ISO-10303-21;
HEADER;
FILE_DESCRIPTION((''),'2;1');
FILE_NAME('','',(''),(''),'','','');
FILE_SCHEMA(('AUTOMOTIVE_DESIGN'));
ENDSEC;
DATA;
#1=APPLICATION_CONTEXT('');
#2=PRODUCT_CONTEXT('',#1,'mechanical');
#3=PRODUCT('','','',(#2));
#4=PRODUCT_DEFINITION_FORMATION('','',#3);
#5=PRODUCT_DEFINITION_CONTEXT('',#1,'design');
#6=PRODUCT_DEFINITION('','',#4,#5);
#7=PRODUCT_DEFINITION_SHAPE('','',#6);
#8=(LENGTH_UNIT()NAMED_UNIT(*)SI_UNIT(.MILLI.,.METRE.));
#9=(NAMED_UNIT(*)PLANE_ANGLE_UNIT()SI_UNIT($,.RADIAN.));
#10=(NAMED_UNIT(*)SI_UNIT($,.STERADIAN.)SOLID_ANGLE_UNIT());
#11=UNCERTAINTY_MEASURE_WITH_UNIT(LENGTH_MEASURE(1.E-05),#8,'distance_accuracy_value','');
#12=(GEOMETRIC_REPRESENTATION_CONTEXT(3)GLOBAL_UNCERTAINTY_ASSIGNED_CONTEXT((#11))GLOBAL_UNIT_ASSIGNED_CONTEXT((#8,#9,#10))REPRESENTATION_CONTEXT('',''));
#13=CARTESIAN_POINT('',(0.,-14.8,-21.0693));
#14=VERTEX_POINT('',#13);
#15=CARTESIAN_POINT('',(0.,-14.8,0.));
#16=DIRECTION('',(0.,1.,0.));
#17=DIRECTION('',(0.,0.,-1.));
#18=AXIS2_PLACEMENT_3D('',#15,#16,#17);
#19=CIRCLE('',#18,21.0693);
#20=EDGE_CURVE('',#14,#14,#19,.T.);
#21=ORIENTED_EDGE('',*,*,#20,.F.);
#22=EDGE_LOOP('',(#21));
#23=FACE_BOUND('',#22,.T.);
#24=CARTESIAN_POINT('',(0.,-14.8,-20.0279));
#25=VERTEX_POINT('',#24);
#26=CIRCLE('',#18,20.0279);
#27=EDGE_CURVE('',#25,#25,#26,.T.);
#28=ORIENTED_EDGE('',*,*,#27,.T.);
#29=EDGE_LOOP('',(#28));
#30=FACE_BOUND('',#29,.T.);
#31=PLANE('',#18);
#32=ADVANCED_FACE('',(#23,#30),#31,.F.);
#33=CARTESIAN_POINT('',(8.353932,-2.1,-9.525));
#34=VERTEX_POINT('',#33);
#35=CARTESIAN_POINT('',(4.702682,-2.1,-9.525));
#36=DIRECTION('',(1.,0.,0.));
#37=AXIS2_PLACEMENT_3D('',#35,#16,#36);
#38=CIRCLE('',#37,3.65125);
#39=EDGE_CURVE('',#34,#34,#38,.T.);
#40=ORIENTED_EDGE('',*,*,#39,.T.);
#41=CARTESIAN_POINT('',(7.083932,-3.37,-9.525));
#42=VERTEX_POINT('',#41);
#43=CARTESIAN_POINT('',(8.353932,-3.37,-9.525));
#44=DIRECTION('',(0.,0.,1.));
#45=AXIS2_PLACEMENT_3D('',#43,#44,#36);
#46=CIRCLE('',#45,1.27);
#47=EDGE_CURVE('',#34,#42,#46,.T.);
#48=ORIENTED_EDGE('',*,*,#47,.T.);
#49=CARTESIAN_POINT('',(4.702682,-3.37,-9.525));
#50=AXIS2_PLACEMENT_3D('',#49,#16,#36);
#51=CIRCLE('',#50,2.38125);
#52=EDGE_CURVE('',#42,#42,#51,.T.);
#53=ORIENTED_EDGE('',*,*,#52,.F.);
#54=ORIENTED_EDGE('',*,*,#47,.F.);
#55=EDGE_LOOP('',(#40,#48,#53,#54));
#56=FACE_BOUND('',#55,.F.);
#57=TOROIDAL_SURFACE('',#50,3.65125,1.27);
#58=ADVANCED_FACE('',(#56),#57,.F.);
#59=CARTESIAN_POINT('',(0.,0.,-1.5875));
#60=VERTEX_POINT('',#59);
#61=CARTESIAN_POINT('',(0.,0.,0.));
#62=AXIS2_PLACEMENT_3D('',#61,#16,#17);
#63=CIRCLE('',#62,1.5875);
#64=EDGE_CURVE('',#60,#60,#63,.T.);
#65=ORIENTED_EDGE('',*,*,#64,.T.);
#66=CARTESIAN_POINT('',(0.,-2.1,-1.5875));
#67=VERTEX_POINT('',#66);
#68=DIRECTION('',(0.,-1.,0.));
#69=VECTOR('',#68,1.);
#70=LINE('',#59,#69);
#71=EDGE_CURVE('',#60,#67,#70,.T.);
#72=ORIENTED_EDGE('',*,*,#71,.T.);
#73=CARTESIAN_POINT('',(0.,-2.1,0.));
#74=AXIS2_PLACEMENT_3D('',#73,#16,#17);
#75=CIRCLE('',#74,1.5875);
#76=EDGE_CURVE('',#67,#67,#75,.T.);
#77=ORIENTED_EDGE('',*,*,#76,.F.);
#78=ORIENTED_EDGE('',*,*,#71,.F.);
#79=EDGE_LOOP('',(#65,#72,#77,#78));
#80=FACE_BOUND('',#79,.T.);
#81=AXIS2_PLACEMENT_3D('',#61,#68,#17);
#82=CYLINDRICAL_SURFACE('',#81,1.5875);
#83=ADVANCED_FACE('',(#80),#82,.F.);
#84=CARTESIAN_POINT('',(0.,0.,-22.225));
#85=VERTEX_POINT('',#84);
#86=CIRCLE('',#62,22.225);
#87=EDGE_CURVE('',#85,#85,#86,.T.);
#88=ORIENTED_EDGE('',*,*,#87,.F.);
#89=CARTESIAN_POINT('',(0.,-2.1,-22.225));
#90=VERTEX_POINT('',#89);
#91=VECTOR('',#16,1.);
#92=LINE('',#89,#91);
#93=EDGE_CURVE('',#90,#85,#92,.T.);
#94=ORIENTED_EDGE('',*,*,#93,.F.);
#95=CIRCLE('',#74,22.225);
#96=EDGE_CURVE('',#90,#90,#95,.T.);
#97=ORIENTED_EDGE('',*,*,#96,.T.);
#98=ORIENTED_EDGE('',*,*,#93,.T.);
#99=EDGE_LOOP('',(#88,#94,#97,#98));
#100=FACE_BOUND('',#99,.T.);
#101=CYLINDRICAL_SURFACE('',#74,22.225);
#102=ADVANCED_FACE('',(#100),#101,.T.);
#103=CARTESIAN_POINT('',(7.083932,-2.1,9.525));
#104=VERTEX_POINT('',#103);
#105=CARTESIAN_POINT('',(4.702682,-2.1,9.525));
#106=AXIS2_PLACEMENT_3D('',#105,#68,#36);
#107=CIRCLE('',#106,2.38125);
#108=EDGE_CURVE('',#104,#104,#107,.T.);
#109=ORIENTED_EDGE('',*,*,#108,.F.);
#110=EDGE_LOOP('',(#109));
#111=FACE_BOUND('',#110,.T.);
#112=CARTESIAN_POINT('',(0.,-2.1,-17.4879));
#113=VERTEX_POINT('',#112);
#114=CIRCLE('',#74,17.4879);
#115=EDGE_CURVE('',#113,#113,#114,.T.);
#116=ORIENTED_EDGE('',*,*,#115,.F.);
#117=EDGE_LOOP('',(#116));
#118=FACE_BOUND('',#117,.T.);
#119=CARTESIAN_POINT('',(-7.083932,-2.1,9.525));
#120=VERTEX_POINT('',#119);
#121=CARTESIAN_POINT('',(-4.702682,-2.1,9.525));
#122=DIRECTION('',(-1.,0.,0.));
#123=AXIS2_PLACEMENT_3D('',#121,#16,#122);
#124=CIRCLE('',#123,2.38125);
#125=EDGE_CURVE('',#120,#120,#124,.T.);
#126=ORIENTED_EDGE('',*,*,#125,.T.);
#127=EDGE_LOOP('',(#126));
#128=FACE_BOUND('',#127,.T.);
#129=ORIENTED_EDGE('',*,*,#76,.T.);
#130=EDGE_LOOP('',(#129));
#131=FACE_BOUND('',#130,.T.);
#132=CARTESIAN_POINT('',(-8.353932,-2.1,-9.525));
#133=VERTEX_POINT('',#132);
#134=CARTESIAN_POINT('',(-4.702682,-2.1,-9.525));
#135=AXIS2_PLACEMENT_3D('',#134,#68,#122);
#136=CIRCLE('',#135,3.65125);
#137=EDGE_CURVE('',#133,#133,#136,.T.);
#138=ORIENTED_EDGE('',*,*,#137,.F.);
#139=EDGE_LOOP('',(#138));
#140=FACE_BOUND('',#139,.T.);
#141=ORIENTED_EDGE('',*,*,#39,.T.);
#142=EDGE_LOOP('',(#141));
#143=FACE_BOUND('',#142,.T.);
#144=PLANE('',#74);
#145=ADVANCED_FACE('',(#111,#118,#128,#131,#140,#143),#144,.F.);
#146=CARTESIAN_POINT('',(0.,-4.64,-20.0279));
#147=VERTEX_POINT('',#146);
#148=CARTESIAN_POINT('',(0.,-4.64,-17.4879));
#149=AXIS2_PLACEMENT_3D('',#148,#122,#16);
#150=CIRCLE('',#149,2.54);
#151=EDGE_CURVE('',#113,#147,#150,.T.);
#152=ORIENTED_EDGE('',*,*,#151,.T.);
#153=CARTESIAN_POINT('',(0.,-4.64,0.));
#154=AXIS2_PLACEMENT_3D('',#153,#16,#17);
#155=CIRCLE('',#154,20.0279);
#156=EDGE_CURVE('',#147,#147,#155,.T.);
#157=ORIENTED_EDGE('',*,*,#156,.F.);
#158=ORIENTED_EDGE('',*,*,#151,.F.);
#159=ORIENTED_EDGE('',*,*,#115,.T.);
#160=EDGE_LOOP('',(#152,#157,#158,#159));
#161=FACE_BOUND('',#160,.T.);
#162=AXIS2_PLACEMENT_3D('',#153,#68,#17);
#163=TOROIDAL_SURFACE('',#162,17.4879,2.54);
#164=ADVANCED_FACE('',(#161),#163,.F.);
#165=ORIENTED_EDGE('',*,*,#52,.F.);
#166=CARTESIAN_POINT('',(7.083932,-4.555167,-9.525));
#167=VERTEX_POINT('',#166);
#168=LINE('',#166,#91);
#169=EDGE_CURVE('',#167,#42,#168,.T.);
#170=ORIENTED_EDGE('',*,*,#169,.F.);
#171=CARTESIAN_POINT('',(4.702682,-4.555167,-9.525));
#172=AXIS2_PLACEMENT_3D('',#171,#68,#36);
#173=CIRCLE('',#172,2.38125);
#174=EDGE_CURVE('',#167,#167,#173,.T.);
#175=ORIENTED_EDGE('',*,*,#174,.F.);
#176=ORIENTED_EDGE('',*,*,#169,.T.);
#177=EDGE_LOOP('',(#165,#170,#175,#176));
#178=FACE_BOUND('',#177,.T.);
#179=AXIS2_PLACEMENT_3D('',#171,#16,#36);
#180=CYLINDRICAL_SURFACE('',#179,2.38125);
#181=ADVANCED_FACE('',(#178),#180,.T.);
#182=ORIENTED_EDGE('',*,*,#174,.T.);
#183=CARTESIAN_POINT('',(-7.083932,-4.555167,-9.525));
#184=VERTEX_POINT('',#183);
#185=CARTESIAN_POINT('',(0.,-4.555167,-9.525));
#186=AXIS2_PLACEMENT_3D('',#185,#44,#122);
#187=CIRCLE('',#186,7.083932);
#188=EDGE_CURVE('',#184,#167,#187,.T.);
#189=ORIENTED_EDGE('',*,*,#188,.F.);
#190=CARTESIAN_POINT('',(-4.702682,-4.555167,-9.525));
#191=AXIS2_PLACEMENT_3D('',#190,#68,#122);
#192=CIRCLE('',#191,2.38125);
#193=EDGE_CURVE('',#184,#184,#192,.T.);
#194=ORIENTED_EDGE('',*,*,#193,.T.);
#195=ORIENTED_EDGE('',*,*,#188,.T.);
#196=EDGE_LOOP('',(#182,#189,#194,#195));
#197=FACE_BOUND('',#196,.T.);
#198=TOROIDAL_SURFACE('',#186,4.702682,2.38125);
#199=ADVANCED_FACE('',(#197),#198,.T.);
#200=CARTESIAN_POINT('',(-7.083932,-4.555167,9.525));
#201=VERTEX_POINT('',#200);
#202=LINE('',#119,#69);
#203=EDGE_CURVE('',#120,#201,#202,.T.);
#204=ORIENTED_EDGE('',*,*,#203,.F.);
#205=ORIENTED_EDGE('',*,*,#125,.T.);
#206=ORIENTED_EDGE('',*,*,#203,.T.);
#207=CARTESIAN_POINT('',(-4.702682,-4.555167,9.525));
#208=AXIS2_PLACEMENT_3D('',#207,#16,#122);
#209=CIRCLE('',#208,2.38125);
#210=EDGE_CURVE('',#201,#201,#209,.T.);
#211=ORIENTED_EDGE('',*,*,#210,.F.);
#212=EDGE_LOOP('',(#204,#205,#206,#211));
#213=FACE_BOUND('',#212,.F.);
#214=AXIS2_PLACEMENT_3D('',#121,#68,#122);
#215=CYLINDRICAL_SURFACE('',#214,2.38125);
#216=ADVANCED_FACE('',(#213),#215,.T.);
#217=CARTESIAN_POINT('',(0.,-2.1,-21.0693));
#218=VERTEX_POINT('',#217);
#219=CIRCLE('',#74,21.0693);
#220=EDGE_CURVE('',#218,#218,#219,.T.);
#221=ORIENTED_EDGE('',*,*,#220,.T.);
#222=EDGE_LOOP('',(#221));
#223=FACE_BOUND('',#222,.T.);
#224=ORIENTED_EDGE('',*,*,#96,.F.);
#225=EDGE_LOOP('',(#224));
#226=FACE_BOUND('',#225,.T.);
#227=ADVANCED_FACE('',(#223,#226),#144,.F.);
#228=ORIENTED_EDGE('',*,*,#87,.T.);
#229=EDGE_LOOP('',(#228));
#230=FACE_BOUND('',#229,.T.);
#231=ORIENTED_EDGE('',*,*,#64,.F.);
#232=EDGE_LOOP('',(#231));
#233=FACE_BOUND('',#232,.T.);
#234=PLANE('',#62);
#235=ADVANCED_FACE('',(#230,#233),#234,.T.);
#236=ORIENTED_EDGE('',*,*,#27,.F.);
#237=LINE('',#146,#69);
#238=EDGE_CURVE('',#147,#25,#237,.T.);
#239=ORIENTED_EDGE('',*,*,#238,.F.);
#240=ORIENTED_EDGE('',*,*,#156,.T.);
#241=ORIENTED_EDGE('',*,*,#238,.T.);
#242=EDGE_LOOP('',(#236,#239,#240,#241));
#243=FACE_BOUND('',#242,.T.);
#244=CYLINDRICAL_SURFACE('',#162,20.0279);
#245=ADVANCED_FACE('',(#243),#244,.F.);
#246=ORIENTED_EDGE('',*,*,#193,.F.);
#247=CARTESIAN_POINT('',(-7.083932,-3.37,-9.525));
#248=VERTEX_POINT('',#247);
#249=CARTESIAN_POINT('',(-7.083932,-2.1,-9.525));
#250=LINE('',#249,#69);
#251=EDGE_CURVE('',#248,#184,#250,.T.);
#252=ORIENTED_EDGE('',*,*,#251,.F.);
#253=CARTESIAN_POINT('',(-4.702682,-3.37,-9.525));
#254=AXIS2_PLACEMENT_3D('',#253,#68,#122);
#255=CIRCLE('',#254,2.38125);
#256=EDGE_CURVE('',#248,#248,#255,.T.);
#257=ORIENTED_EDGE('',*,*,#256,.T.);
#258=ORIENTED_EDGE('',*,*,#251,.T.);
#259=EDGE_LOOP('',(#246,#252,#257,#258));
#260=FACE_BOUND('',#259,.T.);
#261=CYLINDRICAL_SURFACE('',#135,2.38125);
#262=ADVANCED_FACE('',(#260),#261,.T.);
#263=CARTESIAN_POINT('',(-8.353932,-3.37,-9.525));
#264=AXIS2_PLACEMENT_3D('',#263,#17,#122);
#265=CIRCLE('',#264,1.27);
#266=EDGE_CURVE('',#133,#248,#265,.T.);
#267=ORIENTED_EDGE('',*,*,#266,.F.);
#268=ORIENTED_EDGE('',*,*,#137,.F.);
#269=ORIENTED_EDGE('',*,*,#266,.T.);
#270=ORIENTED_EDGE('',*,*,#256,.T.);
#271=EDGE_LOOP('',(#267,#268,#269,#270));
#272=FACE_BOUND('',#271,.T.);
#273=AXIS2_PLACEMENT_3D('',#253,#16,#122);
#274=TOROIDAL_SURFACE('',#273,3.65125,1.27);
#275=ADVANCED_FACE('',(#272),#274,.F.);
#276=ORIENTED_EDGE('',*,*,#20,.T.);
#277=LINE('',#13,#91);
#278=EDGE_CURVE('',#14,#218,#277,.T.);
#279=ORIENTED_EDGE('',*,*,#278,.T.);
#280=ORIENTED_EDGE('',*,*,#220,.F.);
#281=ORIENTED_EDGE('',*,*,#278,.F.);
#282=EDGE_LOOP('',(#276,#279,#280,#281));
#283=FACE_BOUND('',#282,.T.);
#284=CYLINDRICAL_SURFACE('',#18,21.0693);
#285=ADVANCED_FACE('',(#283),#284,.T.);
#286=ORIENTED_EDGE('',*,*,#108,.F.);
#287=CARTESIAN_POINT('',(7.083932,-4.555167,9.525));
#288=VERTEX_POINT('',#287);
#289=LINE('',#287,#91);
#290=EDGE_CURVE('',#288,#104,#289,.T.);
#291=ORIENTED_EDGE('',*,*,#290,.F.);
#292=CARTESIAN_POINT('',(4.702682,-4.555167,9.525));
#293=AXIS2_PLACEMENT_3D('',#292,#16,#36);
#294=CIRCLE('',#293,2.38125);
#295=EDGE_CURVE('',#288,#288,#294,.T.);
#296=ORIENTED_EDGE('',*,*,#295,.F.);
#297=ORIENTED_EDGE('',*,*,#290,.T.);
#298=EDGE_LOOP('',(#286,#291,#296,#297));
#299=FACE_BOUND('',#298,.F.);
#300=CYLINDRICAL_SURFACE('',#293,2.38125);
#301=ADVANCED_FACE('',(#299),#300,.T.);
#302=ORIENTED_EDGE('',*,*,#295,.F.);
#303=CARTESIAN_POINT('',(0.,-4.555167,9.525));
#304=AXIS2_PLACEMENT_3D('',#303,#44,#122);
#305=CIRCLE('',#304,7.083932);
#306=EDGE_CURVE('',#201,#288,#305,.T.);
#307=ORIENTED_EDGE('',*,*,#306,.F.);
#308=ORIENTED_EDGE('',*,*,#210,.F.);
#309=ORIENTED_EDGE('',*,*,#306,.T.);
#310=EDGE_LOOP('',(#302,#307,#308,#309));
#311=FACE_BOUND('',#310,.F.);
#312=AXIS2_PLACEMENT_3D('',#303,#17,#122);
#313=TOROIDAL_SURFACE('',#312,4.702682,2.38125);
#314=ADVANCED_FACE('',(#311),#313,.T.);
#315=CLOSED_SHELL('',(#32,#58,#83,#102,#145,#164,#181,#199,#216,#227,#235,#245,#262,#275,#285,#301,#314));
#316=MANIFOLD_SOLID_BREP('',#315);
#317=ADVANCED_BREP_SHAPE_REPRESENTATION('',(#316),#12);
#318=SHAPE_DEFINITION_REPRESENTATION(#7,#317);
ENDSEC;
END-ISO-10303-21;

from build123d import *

# Parameters (mm, degrees)
SKETCH3_R = 2.38125
FILLET1_R = 1.27


with BuildPart() as part:
    # Sketch1 → Revolve1 (revolve)
    with BuildSketch(Plane.XY, mode=Mode.PRIVATE) as revolve1_sk:
        with BuildLine():
            Line((-21.0693, -14.8), (-21.0693, -2.1))
            Line((-21.0693, -2.1), (-22.225, -2.1))
            Line((-22.225, -2.1), (-22.225, 0))
            Line((-22.225, 0), (-1.5875, 0))
            Line((-1.5875, 0), (-1.5875, -2.1))
            Line((-1.5875, -2.1), (-17.4879, -2.1))
            ThreePointArc((-17.4879, -2.1), (-19.283951224, -2.843948776), (-20.0279, -4.64))
            Line((-20.0279, -4.64), (-20.0279, -14.8))
            Line((-20.0279, -14.8), (-21.0693, -14.8))
        make_face()
    revolve(revolve1_sk.sketch.rotate(Axis((0, 0, 0), (0, 1, 0)), 270), axis=Axis((0, 0, 0), (0, 1, 0)))

    # Sweep1: sweep along a path in Sketch2
    with BuildLine(Plane.XY.offset(-9.525)) as sweep1_path:
        Line((-1.5875, -2.1), (-1.5875, -4.555166767))
        ThreePointArc((-1.5875, -4.555166767), (0, -6.142666767), (1.5875, -4.555166767))
        Line((1.5875, -4.555166767), (1.5875, -2.1))
    # Sketch3 → Sweep1 (sweep)
    with BuildSketch(Plane.XZ.offset(2.1)):
        with Locations((4.702681807, -9.525)):
            Circle(SKETCH3_R)
    sweep1 = sweep(path=sweep1_path.line)

    # Fillet1
    fillet1_edges = [part.edges().sort_by_distance(p)[0] for p in [
        (2.321431807, -2.1, -9.525),
        (-2.321431807, -2.1, -9.525),
    ]]
    fillet(fillet1_edges, radius=FILLET1_R)

    # Mirror1: Sweep1 across plane
    add(sweep1.mirror(Plane.XY))


solid = part.part
